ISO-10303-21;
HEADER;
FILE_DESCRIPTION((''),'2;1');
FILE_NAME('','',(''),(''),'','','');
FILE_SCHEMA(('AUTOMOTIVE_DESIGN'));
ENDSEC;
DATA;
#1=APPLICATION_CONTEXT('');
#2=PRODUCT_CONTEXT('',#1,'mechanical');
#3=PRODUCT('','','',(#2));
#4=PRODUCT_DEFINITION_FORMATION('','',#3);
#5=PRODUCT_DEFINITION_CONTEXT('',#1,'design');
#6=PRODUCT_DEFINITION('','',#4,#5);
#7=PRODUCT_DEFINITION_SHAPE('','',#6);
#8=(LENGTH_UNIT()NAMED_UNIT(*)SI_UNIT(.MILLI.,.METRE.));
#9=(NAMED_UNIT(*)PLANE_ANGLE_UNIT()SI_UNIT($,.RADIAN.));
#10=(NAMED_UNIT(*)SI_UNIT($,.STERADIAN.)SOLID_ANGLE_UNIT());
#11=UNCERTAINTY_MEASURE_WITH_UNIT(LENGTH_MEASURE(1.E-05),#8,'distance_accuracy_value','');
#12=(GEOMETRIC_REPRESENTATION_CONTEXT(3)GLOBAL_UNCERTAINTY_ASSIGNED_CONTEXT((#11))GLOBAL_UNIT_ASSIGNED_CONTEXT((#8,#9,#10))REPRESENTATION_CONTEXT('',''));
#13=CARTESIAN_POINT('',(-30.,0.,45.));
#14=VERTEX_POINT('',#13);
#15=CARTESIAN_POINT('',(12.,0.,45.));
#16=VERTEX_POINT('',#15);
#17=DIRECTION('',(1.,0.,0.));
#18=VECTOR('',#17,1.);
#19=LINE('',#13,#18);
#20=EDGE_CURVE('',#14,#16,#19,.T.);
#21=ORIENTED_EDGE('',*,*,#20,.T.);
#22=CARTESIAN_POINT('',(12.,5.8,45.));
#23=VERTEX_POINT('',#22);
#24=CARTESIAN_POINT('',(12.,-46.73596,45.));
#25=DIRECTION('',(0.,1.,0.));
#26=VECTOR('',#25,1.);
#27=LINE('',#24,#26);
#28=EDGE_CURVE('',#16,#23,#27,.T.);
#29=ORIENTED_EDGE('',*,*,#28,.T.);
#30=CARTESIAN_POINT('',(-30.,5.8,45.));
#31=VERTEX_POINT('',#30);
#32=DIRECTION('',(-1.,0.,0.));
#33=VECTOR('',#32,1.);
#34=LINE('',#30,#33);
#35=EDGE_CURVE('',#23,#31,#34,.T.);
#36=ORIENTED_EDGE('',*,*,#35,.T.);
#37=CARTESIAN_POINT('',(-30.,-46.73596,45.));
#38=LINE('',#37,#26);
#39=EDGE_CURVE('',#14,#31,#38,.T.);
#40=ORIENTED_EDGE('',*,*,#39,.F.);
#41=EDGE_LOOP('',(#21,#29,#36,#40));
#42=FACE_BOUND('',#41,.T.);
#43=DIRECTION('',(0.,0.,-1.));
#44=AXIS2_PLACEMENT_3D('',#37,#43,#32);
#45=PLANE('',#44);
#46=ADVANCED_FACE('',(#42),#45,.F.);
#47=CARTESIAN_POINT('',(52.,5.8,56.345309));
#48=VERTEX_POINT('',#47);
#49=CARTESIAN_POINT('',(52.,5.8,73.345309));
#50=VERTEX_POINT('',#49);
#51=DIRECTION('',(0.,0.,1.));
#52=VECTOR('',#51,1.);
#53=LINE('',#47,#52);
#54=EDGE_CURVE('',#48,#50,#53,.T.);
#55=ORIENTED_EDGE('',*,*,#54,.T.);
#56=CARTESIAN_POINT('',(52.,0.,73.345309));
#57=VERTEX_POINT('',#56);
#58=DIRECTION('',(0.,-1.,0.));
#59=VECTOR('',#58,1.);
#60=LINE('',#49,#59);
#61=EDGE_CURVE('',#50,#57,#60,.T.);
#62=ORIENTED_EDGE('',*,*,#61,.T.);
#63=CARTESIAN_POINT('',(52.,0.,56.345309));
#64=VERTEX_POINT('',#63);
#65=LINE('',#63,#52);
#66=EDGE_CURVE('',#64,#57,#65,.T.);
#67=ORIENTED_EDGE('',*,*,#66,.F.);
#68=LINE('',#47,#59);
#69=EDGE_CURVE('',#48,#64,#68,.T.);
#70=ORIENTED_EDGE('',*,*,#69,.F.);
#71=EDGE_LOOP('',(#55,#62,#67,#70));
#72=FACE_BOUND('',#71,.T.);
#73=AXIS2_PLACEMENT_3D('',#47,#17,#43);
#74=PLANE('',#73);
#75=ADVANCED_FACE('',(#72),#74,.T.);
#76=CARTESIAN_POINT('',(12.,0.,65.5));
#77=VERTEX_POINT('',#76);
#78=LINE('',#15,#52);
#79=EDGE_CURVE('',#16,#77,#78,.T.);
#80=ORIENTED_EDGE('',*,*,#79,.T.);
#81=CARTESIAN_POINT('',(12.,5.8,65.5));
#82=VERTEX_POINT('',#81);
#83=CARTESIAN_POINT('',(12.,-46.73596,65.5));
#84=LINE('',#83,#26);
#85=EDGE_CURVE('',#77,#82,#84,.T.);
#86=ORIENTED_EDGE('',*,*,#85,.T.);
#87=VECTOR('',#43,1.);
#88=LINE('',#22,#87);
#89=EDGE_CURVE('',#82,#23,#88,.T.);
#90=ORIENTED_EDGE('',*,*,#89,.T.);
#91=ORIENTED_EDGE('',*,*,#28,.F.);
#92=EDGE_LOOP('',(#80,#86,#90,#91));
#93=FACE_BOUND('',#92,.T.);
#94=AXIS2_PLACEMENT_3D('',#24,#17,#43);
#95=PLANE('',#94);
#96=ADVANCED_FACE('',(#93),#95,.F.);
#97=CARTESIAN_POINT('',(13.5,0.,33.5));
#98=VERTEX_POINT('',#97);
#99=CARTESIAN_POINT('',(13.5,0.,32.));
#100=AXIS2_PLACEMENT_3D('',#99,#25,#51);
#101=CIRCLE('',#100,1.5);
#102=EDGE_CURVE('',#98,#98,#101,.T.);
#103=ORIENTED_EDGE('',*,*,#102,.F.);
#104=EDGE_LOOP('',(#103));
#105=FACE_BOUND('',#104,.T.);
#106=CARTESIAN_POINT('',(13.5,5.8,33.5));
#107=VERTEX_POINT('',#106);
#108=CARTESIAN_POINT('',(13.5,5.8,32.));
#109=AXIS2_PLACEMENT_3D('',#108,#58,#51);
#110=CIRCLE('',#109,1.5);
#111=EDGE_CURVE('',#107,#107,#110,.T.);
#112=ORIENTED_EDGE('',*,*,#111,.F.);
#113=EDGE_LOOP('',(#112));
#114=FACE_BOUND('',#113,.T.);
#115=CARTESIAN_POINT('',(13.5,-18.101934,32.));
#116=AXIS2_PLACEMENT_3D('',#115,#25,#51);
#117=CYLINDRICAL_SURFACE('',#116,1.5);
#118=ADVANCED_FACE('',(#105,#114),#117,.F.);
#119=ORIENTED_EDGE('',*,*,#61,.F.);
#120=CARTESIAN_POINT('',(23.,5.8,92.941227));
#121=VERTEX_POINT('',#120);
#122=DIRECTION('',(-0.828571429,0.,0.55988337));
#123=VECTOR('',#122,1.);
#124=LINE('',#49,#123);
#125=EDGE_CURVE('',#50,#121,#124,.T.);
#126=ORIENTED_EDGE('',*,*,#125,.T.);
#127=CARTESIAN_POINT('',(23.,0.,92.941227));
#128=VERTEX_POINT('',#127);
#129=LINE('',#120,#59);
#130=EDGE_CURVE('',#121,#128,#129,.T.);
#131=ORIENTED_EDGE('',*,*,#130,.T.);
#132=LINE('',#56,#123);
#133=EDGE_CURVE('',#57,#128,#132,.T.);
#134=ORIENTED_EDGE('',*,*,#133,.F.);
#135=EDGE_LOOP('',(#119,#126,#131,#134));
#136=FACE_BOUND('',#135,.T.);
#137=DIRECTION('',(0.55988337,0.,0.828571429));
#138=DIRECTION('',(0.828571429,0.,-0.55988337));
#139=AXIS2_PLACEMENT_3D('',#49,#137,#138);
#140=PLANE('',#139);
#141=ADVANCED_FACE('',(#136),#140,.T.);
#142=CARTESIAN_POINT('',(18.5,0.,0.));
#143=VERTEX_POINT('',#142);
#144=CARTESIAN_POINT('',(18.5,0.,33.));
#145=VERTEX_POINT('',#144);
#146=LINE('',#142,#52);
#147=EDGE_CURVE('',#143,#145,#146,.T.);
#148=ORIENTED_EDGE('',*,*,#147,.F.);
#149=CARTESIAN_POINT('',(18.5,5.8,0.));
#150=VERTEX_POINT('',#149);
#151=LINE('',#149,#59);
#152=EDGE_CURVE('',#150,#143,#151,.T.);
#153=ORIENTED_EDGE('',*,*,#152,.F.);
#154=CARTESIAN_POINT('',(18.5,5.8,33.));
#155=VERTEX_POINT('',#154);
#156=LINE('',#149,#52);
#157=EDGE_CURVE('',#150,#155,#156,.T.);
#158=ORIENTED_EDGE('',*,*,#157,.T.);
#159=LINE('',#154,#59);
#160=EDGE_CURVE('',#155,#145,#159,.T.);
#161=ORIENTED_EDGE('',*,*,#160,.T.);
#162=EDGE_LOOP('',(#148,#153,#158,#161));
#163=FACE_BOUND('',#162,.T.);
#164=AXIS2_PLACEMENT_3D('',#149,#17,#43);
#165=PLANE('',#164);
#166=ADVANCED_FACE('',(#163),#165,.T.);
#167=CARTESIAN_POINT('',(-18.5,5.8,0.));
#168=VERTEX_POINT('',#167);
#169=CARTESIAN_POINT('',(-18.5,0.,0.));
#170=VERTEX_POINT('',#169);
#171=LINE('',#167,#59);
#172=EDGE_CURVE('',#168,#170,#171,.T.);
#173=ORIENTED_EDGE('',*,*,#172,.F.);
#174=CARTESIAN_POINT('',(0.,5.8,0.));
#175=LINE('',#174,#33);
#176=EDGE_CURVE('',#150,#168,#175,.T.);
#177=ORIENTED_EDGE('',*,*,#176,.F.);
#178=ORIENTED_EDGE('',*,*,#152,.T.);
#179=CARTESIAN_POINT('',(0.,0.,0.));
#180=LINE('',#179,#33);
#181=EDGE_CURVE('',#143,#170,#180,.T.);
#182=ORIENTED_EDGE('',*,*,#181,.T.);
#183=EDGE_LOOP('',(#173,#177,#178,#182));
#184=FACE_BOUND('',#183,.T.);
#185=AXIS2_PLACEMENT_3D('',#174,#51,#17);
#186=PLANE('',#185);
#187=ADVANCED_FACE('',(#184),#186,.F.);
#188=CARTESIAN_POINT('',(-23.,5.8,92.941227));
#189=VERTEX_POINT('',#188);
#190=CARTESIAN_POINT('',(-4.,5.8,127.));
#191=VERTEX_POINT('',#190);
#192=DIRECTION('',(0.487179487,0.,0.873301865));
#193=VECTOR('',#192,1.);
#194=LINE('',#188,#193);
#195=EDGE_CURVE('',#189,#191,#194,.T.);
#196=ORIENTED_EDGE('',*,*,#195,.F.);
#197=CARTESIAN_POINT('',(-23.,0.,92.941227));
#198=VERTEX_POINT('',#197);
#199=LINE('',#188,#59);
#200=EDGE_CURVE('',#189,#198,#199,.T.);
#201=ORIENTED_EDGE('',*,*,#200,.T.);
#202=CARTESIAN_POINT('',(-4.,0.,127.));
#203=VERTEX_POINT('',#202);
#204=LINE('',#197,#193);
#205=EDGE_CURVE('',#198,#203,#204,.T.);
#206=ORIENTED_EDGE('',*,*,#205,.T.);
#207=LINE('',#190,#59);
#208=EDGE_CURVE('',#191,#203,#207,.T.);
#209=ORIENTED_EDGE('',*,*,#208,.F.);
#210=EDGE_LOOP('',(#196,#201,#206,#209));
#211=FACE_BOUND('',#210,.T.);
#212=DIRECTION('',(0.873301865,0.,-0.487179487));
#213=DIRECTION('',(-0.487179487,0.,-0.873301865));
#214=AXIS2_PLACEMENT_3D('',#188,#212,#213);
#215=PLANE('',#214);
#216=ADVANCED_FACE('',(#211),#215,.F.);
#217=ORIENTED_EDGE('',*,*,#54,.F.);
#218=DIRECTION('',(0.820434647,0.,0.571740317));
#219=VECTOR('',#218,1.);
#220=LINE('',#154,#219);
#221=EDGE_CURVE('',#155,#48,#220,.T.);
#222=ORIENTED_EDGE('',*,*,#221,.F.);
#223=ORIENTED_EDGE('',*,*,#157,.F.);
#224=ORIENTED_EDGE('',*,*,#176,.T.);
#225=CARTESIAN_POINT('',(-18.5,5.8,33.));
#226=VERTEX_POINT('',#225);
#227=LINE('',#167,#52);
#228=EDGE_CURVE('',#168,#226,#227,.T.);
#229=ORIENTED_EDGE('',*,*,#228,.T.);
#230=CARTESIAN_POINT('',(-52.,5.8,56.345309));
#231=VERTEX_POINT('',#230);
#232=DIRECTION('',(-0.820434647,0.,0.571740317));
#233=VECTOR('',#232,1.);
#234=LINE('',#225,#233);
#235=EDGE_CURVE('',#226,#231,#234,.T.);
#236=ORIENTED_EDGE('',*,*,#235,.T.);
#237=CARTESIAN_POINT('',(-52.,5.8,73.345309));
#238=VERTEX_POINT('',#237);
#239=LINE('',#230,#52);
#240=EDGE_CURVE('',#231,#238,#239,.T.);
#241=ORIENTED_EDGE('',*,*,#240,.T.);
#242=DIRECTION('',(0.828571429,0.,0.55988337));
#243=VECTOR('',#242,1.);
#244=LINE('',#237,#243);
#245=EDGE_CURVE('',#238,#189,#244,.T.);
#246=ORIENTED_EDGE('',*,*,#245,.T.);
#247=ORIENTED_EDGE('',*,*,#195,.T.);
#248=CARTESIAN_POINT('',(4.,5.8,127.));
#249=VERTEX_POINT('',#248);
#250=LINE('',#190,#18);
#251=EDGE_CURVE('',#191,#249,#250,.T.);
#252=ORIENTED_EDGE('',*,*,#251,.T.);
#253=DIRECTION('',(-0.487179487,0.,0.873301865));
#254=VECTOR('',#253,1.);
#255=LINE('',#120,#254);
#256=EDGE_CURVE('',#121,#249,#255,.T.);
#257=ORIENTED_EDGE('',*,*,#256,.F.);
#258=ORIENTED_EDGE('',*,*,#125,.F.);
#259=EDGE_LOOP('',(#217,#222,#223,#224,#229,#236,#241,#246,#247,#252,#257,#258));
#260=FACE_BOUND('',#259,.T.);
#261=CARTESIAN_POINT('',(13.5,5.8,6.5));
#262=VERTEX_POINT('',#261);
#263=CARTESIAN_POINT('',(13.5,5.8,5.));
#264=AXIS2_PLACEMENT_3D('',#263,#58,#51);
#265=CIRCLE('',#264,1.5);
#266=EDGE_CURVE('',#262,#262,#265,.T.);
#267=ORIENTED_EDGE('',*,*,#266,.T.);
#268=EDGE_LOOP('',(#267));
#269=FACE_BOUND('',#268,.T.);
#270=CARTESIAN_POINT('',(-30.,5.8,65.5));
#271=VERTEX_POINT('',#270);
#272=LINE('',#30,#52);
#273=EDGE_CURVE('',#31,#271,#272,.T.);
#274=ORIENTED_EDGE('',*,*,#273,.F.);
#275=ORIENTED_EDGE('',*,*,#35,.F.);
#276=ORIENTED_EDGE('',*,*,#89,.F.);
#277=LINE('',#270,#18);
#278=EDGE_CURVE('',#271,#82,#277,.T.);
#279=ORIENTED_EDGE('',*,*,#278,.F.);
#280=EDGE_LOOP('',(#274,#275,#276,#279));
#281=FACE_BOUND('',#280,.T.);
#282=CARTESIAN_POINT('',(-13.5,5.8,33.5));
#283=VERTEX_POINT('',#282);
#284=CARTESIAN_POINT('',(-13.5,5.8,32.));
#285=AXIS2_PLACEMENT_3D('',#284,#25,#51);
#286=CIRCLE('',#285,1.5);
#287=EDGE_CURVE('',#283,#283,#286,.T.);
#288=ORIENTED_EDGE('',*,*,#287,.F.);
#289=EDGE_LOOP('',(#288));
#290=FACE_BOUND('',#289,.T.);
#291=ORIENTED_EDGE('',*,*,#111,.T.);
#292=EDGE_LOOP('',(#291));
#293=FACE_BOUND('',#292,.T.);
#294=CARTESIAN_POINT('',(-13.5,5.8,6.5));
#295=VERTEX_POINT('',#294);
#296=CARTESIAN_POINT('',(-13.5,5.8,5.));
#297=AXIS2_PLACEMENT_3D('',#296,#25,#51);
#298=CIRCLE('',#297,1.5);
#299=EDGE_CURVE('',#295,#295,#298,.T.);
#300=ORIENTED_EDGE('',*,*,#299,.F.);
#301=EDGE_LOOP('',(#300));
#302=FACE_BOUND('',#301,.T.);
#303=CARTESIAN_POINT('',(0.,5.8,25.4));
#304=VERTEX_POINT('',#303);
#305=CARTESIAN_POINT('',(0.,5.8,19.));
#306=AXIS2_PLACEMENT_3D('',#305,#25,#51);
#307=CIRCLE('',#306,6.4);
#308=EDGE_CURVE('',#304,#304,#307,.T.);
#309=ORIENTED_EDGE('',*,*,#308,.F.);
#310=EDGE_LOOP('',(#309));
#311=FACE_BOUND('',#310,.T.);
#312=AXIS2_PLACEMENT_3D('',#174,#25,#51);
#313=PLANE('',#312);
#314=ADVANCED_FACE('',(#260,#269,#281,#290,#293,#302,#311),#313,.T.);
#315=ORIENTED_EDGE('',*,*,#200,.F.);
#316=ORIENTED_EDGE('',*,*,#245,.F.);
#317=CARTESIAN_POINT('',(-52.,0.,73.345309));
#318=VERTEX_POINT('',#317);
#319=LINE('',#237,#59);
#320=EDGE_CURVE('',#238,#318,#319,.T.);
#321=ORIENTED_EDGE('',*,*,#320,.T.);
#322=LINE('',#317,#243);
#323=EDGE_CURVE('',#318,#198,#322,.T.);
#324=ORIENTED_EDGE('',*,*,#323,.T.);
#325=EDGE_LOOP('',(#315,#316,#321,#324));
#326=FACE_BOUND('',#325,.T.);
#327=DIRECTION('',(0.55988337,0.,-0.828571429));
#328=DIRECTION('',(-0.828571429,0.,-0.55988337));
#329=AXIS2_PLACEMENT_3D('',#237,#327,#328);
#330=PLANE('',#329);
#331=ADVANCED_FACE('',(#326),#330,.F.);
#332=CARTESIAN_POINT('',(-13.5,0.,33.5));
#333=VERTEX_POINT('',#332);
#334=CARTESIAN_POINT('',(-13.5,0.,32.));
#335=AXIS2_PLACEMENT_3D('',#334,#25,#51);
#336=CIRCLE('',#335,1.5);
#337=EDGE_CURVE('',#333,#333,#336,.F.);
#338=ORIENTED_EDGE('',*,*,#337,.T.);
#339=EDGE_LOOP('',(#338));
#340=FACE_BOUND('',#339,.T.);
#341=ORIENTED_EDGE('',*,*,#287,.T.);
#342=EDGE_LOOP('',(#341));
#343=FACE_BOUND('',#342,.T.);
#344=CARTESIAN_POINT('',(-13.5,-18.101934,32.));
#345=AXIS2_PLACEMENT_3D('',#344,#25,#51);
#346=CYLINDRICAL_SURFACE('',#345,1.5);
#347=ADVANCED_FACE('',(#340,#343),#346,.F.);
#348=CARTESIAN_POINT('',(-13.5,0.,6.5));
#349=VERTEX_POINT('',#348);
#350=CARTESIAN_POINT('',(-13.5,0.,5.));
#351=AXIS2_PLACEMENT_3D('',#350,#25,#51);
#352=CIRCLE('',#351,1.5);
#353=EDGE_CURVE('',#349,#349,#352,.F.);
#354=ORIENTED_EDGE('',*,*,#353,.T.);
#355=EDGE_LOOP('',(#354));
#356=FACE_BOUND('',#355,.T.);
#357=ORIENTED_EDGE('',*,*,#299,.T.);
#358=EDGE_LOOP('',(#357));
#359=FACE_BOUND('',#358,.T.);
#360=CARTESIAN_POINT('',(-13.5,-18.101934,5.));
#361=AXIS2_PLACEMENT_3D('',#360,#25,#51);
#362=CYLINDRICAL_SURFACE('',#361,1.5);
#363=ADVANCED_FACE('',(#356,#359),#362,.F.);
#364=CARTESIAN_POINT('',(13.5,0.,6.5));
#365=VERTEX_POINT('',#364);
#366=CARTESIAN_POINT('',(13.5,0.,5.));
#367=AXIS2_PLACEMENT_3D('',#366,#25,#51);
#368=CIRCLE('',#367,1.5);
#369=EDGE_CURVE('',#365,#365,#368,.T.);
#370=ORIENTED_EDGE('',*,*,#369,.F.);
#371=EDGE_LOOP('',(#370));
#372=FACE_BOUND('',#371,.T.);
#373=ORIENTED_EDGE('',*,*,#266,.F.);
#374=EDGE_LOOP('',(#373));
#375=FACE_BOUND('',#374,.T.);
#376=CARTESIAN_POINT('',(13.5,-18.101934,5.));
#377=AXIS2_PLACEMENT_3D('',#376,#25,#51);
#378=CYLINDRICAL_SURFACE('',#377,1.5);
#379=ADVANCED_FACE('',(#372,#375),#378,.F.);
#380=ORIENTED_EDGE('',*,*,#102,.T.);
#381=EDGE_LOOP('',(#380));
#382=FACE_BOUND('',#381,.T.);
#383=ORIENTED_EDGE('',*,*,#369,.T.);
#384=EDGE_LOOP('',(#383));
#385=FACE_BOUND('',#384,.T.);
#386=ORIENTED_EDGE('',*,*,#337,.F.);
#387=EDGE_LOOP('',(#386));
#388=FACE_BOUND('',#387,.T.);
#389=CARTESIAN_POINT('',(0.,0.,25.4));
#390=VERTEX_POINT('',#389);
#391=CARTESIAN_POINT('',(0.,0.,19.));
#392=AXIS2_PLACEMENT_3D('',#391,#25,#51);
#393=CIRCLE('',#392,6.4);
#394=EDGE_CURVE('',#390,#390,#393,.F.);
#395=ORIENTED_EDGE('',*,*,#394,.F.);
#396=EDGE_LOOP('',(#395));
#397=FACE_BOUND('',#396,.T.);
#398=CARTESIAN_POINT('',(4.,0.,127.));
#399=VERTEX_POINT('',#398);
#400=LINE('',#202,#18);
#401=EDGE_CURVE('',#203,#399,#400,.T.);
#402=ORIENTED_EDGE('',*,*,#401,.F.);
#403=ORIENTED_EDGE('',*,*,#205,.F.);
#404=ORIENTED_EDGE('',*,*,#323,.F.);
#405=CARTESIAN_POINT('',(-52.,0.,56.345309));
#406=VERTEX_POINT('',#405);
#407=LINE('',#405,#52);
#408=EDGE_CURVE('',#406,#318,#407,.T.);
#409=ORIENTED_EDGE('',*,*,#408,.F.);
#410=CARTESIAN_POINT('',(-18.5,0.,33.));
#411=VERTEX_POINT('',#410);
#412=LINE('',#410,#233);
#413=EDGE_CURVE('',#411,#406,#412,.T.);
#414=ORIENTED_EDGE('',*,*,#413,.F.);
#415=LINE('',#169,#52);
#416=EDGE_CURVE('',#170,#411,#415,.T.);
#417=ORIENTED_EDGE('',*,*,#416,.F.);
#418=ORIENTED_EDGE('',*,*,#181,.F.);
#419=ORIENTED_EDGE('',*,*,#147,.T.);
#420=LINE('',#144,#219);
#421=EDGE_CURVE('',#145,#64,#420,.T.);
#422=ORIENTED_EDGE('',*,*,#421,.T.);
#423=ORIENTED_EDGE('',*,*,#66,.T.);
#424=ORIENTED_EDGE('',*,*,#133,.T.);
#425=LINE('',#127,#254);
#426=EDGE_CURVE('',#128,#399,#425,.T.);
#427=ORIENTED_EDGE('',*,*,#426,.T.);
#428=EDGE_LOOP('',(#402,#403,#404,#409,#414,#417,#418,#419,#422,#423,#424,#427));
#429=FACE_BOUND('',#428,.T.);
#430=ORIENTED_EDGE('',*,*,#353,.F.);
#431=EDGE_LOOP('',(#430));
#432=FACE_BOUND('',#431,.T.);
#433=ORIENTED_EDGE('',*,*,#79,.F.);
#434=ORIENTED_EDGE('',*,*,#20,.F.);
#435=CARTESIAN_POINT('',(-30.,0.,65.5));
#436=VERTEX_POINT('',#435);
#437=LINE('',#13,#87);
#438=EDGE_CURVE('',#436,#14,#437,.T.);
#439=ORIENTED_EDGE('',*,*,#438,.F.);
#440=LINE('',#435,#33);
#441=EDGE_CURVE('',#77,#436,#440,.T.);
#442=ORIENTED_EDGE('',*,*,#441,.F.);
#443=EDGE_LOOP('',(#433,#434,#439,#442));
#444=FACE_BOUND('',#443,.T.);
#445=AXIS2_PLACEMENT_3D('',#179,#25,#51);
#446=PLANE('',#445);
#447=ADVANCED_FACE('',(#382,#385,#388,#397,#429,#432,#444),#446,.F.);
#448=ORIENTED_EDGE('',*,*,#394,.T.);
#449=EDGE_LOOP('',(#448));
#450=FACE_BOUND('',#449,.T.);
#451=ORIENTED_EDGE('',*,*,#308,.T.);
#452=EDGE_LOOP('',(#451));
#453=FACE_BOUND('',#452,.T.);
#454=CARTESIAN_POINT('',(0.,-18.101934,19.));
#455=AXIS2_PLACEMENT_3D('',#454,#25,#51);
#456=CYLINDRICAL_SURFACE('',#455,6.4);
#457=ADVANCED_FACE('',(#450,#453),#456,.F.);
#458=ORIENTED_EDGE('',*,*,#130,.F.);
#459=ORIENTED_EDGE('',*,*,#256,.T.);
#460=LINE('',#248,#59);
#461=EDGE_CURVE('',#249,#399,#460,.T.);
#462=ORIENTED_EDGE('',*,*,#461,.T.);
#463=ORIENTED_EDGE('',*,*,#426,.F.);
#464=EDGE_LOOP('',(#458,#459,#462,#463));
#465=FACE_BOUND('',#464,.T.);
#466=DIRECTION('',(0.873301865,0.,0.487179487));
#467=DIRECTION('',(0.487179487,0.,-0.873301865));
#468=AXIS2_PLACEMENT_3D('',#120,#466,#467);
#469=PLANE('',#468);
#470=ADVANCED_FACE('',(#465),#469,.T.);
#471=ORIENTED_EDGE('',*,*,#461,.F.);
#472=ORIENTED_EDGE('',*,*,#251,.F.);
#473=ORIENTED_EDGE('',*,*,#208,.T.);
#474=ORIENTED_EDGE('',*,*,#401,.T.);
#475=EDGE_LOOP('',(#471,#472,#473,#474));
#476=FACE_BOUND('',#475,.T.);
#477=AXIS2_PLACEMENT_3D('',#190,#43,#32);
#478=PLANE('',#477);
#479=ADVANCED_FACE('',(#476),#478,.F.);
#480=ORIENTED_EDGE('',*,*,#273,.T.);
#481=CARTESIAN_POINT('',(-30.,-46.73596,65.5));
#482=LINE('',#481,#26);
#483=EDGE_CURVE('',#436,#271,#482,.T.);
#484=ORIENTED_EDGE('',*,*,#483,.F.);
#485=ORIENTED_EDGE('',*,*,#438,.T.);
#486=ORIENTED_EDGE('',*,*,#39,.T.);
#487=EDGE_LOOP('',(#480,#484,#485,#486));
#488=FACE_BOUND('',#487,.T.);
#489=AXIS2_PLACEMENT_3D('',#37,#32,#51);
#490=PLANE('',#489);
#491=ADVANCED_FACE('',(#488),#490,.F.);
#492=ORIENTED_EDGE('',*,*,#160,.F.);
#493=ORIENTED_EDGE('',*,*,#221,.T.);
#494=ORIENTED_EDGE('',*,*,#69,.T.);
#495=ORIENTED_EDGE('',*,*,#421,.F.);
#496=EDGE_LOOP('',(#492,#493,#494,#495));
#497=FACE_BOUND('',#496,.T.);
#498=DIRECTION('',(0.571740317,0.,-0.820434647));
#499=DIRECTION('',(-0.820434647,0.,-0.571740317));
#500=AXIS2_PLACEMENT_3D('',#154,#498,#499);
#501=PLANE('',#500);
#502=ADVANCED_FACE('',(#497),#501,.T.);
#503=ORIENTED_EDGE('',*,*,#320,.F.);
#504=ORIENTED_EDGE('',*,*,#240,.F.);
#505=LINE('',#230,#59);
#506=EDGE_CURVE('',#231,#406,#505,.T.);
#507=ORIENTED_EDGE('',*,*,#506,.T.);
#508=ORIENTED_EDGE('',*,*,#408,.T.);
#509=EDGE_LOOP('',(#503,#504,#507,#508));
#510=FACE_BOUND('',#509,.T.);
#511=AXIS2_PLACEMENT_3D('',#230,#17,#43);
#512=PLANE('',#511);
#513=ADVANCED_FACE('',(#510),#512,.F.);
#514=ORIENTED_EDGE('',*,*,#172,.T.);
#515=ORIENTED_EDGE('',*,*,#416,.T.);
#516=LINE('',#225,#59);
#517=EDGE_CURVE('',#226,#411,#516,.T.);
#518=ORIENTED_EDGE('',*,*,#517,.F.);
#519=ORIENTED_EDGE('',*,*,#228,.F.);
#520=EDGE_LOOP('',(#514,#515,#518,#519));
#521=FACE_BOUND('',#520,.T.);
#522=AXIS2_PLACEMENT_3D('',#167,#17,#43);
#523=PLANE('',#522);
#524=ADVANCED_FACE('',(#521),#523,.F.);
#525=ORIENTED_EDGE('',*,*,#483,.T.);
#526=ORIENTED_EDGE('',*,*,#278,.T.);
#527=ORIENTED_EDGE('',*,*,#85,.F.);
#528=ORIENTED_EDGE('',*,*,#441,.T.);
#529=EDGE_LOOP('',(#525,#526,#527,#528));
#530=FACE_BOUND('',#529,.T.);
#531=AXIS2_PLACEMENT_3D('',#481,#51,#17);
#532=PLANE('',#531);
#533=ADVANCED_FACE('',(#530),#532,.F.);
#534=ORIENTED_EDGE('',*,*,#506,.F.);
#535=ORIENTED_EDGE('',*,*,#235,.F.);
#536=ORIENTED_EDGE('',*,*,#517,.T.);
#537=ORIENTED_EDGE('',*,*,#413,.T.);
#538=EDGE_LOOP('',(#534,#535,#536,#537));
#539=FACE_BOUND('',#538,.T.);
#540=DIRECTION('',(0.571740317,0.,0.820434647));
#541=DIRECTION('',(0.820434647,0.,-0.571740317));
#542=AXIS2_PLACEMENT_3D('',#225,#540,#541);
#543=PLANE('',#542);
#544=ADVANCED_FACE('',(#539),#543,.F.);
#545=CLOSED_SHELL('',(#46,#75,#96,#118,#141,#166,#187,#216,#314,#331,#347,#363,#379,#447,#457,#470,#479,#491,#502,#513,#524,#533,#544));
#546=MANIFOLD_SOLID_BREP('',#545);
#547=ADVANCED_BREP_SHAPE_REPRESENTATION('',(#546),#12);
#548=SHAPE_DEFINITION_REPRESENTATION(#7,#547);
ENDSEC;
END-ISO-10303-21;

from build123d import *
from build123d.topology import SkipClean

# Parameters (mm, degrees)
BOSS_EXTRU_1_DEPTH      = 5.8
ESQUISSE2_R             = 1.5
ESQUISSE2_R_2           = 6.4
ENL_V_MAT_EXTRU_1_DEPTH = 5.8
ESQUISSE3_W             = 42
ESQUISSE3_H             = 20.5
ENL_V_MAT_EXTRU_2_DEPTH = 5.8


with BuildPart() as part:
    # Esquisse1 → Boss.-Extru.1 (new body)
    with BuildSketch(Plane(origin=(0, 0, 0), x_dir=(1, 0, 0), z_dir=(0, 1, 0))):
        Polygon((0, 0), (-18.5, 0), (-18.5, -33), (-52, -56.345309326), (-52, -73.345309326), (-23, -92.941227268), (-4, -127), (0, -127), align=None)
    boss_extru_1 = extrude(amount=BOSS_EXTRU_1_DEPTH)

    # Esquisse2 → Enlèv. mat.-Extru.1 (cut)
    with BuildSketch(Plane(origin=(0, 5.8, 0), x_dir=(1, 0, 0), z_dir=(0, 1, 0))):
        with Locations(Location((-13.5, -5, 0), (0, 0, 270))):
            Circle(ESQUISSE2_R)
        with Locations((0, -19)):
            Circle(ESQUISSE2_R_2)
        with Locations(Location((-13.5, -32, 0), (0, 0, 270))):
            Circle(ESQUISSE2_R)
    enl_v_mat_extru_1 = extrude(amount=-ENL_V_MAT_EXTRU_1_DEPTH, mode=Mode.SUBTRACT)

    # Symétrie2: Boss.-Extru.1, Enlèv. mat.-Extru.1 across plane
    with SkipClean():  # the faces are left unmerged after this step: merging them gives an invalid solid
        add(boss_extru_1.mirror(Plane(origin=(0, 5.8, 0), x_dir=(0, 0, 1), z_dir=(-1, 0, 0))))
        add(enl_v_mat_extru_1.mirror(Plane(origin=(0, 5.8, 0), x_dir=(0, 0, 1), z_dir=(-1, 0, 0))), mode=Mode.SUBTRACT)

    # Esquisse3 → Enlèv. mat.-Extru.2 (cut)
    with SkipClean():  # the faces are left unmerged after this step: merging them gives an invalid solid
        with BuildSketch(Plane(origin=(0, 5.8, 0), x_dir=(1, 0, 0), z_dir=(0, 1, 0))):
            with Locations((-9, -55.25)):
                Rectangle(ESQUISSE3_W, ESQUISSE3_H)
        extrude(amount=-ENL_V_MAT_EXTRU_2_DEPTH, mode=Mode.SUBTRACT)


solid = part.part
